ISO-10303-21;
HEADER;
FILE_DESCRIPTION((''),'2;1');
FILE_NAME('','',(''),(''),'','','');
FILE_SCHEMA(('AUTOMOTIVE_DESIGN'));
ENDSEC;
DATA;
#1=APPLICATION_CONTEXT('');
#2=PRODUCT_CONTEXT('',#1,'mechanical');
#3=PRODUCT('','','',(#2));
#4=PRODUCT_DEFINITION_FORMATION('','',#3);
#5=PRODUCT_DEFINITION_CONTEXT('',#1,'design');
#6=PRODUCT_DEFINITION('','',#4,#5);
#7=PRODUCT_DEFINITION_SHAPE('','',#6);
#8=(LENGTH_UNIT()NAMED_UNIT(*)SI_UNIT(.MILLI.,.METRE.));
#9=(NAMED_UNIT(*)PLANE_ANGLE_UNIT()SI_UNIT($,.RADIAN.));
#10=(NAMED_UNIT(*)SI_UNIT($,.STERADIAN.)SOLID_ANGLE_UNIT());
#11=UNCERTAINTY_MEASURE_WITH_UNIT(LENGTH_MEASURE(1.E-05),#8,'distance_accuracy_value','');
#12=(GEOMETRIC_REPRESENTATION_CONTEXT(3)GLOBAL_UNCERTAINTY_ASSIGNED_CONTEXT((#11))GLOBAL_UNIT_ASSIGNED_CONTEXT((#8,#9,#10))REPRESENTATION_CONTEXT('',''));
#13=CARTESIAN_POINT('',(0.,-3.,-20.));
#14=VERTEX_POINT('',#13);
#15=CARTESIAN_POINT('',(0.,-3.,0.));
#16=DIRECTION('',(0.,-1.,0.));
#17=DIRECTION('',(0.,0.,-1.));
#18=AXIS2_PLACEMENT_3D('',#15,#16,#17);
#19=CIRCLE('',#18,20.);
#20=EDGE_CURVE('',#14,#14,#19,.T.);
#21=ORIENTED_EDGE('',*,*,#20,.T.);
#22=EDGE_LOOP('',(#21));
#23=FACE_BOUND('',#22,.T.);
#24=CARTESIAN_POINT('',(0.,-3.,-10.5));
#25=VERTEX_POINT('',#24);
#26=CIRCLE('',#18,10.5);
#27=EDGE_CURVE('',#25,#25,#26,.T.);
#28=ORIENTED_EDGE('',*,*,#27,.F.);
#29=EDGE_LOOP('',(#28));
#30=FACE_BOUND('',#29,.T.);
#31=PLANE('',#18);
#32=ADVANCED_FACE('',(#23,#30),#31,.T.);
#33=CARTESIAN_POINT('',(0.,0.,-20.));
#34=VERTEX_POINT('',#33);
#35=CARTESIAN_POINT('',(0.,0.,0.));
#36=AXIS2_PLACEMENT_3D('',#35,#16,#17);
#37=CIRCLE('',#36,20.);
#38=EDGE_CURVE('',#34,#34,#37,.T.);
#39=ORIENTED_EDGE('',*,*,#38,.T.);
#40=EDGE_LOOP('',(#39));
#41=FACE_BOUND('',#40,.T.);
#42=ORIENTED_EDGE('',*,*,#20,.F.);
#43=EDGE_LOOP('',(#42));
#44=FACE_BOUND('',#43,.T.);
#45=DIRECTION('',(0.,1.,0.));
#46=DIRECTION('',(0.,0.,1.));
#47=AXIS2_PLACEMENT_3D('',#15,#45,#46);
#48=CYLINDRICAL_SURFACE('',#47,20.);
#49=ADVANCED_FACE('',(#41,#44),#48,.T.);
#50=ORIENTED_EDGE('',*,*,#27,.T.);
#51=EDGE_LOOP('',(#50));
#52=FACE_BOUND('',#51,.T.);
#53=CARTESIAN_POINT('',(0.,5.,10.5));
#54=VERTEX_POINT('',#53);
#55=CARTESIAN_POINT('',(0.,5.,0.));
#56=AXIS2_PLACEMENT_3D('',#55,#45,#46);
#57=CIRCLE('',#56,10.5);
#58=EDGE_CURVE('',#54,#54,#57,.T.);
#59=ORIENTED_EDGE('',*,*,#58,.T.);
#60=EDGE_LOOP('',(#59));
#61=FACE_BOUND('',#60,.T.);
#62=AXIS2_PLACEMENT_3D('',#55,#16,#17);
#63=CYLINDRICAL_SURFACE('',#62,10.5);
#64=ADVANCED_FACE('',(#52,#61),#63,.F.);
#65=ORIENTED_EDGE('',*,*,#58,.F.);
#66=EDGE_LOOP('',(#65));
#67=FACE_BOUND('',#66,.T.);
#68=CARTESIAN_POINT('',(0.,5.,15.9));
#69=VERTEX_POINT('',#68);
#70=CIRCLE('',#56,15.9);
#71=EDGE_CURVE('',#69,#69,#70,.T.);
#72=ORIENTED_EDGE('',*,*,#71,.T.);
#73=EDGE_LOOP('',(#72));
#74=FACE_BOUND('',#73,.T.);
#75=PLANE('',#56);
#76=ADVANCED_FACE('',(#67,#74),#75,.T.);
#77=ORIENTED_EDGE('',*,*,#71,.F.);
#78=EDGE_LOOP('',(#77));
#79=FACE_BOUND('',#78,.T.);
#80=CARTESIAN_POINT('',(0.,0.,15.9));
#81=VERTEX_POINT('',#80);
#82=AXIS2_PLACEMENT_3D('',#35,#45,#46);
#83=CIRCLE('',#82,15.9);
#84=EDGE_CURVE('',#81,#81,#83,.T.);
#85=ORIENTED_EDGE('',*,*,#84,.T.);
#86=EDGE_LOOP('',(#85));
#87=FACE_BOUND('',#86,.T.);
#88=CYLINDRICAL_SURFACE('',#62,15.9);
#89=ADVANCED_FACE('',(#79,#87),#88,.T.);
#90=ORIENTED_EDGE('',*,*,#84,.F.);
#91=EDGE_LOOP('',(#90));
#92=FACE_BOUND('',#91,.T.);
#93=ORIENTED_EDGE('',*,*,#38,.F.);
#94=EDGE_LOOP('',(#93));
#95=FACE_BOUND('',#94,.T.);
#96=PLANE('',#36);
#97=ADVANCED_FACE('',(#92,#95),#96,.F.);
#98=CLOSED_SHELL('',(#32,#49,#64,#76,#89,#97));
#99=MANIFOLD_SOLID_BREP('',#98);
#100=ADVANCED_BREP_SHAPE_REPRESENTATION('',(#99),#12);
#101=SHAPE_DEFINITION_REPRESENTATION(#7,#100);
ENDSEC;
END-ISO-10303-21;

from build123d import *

# Parameters (mm, degrees)
SKETCH_1_R      = 15.9
SKETCH_1_R_2    = 10.5
EXTRUDE_1_DEPTH = 5
SKETCH_2_R      = 20
SKETCH_2_R_2    = 10.5
EXTRUDE_2_DEPTH = 3


with BuildPart() as part:
    # 草图1 → 凸台-拉伸1 (new body)
    with BuildSketch(Plane(origin=(0, 0, 0), x_dir=(1, 0, 0), z_dir=(0, 1, 0))):
        Circle(SKETCH_1_R)
        Circle(SKETCH_1_R_2, mode=Mode.SUBTRACT)
    extrude(amount=EXTRUDE_1_DEPTH)

    # 草图2 → 凸台-拉伸2 (add)
    with BuildSketch(Plane.XZ):
        Circle(SKETCH_2_R)
        Circle(SKETCH_2_R_2, mode=Mode.SUBTRACT)
    extrude(amount=EXTRUDE_2_DEPTH)


solid = part.part
